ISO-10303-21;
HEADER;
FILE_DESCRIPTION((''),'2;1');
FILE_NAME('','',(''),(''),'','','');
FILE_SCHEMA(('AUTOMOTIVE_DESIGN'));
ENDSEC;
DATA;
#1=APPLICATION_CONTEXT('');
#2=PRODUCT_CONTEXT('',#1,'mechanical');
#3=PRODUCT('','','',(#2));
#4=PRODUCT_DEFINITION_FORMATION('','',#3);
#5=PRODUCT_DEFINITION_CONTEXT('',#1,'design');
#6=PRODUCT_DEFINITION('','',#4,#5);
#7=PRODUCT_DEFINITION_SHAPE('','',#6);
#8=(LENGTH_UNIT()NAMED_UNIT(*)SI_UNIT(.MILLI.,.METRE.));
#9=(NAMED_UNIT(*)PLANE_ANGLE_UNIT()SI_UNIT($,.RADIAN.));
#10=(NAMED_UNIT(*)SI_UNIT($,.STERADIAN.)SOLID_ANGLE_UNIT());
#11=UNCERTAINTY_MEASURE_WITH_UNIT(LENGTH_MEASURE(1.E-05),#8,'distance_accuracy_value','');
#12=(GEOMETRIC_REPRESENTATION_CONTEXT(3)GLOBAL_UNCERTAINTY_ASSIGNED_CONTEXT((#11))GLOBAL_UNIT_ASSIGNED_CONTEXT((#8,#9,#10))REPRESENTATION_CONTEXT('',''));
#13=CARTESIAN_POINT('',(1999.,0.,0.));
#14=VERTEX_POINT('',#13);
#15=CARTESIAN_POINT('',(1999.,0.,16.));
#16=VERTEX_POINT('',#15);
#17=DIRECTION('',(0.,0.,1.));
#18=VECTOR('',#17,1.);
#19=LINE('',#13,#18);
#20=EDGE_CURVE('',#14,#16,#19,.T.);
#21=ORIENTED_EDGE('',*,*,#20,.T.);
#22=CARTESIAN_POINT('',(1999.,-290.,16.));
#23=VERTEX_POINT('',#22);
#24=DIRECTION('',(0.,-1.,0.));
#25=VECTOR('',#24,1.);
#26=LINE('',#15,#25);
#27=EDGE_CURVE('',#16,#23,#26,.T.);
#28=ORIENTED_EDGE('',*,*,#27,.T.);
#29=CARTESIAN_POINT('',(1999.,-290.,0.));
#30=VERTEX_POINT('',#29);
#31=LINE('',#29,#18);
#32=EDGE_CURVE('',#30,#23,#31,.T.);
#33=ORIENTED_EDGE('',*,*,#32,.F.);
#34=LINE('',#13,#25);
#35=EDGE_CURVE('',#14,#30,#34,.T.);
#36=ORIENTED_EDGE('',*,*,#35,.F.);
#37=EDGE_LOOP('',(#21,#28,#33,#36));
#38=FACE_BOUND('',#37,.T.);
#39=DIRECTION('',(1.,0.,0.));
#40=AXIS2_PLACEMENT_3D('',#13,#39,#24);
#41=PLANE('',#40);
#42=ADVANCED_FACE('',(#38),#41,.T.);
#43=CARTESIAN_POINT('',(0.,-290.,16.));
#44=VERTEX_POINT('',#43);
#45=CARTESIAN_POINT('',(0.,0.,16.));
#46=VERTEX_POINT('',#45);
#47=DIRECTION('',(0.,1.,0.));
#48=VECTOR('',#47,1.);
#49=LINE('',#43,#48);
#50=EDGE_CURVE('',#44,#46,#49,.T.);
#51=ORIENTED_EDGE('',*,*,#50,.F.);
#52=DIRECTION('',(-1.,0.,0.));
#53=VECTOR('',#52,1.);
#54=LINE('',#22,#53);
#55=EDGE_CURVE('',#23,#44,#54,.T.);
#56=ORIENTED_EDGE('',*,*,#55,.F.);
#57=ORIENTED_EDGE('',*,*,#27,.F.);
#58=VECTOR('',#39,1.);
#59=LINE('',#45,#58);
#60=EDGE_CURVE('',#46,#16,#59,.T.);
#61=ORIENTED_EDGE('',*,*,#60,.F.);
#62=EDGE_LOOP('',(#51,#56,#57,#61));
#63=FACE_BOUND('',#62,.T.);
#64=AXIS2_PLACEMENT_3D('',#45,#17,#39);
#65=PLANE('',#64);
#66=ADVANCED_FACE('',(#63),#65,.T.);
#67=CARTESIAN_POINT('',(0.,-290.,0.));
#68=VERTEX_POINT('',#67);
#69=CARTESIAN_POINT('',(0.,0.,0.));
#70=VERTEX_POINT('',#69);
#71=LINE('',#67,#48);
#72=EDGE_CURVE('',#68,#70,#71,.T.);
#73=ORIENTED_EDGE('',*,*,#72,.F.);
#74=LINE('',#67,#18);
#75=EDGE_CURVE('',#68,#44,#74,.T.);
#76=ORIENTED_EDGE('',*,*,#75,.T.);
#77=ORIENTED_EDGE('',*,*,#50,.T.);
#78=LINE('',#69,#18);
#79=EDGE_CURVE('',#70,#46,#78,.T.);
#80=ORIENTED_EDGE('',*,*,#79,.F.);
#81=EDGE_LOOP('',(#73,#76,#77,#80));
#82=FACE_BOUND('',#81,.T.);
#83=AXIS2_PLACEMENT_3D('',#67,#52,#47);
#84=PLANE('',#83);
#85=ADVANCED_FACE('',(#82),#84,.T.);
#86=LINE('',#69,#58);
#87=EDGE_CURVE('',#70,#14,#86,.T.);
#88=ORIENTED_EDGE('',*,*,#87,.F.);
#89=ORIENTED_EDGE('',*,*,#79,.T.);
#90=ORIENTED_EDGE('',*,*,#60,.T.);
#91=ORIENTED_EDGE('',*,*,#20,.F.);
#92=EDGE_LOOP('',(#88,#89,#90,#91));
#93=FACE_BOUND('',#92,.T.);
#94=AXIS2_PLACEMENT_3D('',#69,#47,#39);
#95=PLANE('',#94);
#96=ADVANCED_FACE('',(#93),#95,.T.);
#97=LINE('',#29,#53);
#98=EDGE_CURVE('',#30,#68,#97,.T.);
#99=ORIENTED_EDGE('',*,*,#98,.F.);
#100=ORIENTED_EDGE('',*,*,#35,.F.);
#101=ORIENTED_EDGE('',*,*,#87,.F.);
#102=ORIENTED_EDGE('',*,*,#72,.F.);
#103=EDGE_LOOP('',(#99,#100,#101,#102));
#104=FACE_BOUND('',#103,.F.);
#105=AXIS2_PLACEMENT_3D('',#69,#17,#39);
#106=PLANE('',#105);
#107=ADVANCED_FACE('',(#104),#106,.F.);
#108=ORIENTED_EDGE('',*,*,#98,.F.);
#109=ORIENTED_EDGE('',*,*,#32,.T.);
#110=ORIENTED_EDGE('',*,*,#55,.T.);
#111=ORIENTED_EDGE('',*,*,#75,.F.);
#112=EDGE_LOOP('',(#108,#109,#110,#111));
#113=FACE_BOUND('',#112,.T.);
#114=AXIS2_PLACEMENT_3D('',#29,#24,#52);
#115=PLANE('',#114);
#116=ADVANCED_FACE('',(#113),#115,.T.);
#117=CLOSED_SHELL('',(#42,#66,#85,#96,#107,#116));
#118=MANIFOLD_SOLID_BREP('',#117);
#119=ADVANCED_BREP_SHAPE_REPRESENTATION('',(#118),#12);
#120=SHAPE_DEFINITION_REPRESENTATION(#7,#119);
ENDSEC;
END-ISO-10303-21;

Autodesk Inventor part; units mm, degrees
ref_plane "YZ Plane" through (0, 0, 0) normal (1, 0, 0) x (0, 1, 0)
ref_plane "XZ Plane" through (0, 0, 0) normal (0, 1, 0) x (-1, 0, 0)
ref_plane "XY Plane" through (0, 0, 0) normal (0, 0, 1) x (1, 0, 0)
sketch "Boceto1" plane through (0, 0, 0) normal (0, 0, 1) x (1, 0, 0)
  line L0 (0, 0) -> (1999, 0)
  line L1 (1999, 0) -> (1999, -290)
  line L2 (1999, -290) -> (0, -290)
  line L3 (0, -290) -> (0, 0)
  dimension "d0" = 1999
  dimension "d1" = 290
extrude "Extrusión1" add sketch "Boceto1" along normal blind 16
properties part number "Madera Inferior 2"
